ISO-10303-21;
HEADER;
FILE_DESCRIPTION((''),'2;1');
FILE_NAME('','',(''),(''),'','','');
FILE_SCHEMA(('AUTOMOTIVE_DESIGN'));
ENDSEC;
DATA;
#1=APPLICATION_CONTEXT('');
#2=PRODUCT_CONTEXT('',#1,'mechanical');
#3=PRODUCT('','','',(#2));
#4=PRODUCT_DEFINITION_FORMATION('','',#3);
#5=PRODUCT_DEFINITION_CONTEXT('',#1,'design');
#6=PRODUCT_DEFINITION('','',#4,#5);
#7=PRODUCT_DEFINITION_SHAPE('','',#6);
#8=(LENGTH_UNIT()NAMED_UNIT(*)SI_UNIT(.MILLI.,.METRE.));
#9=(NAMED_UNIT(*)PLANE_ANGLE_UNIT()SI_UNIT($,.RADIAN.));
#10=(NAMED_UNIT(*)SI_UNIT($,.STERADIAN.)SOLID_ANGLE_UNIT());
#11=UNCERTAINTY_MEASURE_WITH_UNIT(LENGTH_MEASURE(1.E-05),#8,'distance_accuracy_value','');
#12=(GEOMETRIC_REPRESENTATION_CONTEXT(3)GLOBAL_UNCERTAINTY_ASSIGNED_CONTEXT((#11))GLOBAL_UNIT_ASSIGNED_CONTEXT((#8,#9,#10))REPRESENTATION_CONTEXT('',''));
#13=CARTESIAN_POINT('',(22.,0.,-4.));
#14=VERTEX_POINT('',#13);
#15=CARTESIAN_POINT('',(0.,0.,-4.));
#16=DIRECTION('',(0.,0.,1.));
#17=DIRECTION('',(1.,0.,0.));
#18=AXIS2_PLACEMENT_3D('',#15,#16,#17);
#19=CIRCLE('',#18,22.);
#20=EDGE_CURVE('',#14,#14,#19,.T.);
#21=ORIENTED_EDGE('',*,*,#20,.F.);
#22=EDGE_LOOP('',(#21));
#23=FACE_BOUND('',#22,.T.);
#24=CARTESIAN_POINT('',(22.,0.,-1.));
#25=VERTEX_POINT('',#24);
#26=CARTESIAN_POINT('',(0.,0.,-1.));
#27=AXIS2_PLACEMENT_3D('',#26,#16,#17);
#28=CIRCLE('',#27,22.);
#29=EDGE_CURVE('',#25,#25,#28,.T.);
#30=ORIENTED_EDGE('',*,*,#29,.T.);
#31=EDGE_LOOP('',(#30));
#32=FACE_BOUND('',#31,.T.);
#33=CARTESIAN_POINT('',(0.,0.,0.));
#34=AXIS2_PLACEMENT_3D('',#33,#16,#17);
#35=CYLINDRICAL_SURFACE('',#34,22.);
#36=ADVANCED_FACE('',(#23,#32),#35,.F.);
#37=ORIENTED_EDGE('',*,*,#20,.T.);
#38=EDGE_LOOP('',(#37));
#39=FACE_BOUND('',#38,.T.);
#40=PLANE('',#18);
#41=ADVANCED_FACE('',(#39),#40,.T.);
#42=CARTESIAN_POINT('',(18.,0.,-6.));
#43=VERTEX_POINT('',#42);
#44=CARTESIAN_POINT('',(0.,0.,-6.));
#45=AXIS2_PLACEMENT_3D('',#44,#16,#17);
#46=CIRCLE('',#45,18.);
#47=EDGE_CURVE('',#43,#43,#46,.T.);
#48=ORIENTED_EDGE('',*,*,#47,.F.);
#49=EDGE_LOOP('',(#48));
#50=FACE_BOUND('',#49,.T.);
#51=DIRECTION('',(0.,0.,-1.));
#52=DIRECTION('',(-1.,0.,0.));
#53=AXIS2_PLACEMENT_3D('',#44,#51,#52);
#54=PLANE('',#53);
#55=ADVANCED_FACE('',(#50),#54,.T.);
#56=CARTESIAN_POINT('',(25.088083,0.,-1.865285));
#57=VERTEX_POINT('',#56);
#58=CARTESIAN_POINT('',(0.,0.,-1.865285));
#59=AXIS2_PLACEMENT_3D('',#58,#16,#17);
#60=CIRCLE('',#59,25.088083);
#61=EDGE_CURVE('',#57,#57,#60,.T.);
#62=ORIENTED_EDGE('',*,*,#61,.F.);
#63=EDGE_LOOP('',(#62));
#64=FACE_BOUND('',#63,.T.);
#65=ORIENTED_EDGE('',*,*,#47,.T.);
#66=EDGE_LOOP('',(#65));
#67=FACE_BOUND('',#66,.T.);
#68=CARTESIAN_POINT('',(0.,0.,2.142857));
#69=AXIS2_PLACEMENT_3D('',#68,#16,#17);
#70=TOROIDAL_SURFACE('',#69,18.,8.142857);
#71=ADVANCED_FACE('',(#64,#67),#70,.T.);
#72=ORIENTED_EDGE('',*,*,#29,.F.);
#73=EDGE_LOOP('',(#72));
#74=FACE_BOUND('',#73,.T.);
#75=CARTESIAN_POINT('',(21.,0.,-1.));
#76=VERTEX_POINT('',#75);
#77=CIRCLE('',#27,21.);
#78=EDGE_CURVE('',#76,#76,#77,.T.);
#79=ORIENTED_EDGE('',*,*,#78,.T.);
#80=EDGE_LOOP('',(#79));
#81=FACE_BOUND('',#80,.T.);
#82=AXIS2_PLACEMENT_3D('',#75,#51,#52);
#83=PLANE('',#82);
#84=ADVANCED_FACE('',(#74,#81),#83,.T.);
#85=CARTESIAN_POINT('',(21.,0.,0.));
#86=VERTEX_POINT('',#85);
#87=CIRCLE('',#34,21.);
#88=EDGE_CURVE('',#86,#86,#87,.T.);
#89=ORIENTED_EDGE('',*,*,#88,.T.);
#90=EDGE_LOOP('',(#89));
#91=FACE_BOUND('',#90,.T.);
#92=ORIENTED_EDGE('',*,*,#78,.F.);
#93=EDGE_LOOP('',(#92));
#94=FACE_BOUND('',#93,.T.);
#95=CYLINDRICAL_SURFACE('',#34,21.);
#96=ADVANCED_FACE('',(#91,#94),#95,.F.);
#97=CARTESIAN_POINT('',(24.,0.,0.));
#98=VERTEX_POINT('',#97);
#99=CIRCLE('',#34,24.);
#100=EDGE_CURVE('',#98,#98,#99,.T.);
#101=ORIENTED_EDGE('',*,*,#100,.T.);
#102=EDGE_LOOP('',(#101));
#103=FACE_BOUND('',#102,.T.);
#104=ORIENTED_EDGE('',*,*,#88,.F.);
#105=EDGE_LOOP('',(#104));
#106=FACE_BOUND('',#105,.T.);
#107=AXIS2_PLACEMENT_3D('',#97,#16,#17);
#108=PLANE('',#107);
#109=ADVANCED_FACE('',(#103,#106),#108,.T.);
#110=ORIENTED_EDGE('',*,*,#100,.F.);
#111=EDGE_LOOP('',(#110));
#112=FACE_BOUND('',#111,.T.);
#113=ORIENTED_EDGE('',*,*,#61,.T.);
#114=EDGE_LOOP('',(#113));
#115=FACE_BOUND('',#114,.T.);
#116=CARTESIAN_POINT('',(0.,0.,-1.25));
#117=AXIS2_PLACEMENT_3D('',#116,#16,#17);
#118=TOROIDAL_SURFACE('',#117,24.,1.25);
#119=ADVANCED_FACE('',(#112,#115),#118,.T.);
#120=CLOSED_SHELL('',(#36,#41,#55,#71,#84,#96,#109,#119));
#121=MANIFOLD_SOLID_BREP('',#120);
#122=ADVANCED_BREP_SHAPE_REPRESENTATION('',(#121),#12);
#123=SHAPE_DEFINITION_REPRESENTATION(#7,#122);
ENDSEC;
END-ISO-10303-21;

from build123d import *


with BuildPart() as part:
    # Croquis1 → Revolución1 (revolve)
    with BuildSketch(Plane(origin=(0, 0, 0), x_dir=(1, 0, 0), z_dir=(0, 1, 0))):
        with BuildLine():
            Line((0, 6), (18, 6))
            ThreePointArc((18, 6), (22.102949779, 4.89077105), (25.088082902, 1.865284974))
            ThreePointArc((25.088082902, 1.865284974), (25.079723626, 0.620161218), (24, 0))
            Line((24, 0), (21, 0))
            Line((21, 0), (21, 1))
            Line((21, 1), (22, 1))
            Line((22, 1), (22, 4))
            Line((22, 4), (0, 4))
            Line((0, 4), (0, 6))
        make_face()
    revolve(axis=Axis((0, 0, 0), (0, 0, -1)))


solid = part.part
